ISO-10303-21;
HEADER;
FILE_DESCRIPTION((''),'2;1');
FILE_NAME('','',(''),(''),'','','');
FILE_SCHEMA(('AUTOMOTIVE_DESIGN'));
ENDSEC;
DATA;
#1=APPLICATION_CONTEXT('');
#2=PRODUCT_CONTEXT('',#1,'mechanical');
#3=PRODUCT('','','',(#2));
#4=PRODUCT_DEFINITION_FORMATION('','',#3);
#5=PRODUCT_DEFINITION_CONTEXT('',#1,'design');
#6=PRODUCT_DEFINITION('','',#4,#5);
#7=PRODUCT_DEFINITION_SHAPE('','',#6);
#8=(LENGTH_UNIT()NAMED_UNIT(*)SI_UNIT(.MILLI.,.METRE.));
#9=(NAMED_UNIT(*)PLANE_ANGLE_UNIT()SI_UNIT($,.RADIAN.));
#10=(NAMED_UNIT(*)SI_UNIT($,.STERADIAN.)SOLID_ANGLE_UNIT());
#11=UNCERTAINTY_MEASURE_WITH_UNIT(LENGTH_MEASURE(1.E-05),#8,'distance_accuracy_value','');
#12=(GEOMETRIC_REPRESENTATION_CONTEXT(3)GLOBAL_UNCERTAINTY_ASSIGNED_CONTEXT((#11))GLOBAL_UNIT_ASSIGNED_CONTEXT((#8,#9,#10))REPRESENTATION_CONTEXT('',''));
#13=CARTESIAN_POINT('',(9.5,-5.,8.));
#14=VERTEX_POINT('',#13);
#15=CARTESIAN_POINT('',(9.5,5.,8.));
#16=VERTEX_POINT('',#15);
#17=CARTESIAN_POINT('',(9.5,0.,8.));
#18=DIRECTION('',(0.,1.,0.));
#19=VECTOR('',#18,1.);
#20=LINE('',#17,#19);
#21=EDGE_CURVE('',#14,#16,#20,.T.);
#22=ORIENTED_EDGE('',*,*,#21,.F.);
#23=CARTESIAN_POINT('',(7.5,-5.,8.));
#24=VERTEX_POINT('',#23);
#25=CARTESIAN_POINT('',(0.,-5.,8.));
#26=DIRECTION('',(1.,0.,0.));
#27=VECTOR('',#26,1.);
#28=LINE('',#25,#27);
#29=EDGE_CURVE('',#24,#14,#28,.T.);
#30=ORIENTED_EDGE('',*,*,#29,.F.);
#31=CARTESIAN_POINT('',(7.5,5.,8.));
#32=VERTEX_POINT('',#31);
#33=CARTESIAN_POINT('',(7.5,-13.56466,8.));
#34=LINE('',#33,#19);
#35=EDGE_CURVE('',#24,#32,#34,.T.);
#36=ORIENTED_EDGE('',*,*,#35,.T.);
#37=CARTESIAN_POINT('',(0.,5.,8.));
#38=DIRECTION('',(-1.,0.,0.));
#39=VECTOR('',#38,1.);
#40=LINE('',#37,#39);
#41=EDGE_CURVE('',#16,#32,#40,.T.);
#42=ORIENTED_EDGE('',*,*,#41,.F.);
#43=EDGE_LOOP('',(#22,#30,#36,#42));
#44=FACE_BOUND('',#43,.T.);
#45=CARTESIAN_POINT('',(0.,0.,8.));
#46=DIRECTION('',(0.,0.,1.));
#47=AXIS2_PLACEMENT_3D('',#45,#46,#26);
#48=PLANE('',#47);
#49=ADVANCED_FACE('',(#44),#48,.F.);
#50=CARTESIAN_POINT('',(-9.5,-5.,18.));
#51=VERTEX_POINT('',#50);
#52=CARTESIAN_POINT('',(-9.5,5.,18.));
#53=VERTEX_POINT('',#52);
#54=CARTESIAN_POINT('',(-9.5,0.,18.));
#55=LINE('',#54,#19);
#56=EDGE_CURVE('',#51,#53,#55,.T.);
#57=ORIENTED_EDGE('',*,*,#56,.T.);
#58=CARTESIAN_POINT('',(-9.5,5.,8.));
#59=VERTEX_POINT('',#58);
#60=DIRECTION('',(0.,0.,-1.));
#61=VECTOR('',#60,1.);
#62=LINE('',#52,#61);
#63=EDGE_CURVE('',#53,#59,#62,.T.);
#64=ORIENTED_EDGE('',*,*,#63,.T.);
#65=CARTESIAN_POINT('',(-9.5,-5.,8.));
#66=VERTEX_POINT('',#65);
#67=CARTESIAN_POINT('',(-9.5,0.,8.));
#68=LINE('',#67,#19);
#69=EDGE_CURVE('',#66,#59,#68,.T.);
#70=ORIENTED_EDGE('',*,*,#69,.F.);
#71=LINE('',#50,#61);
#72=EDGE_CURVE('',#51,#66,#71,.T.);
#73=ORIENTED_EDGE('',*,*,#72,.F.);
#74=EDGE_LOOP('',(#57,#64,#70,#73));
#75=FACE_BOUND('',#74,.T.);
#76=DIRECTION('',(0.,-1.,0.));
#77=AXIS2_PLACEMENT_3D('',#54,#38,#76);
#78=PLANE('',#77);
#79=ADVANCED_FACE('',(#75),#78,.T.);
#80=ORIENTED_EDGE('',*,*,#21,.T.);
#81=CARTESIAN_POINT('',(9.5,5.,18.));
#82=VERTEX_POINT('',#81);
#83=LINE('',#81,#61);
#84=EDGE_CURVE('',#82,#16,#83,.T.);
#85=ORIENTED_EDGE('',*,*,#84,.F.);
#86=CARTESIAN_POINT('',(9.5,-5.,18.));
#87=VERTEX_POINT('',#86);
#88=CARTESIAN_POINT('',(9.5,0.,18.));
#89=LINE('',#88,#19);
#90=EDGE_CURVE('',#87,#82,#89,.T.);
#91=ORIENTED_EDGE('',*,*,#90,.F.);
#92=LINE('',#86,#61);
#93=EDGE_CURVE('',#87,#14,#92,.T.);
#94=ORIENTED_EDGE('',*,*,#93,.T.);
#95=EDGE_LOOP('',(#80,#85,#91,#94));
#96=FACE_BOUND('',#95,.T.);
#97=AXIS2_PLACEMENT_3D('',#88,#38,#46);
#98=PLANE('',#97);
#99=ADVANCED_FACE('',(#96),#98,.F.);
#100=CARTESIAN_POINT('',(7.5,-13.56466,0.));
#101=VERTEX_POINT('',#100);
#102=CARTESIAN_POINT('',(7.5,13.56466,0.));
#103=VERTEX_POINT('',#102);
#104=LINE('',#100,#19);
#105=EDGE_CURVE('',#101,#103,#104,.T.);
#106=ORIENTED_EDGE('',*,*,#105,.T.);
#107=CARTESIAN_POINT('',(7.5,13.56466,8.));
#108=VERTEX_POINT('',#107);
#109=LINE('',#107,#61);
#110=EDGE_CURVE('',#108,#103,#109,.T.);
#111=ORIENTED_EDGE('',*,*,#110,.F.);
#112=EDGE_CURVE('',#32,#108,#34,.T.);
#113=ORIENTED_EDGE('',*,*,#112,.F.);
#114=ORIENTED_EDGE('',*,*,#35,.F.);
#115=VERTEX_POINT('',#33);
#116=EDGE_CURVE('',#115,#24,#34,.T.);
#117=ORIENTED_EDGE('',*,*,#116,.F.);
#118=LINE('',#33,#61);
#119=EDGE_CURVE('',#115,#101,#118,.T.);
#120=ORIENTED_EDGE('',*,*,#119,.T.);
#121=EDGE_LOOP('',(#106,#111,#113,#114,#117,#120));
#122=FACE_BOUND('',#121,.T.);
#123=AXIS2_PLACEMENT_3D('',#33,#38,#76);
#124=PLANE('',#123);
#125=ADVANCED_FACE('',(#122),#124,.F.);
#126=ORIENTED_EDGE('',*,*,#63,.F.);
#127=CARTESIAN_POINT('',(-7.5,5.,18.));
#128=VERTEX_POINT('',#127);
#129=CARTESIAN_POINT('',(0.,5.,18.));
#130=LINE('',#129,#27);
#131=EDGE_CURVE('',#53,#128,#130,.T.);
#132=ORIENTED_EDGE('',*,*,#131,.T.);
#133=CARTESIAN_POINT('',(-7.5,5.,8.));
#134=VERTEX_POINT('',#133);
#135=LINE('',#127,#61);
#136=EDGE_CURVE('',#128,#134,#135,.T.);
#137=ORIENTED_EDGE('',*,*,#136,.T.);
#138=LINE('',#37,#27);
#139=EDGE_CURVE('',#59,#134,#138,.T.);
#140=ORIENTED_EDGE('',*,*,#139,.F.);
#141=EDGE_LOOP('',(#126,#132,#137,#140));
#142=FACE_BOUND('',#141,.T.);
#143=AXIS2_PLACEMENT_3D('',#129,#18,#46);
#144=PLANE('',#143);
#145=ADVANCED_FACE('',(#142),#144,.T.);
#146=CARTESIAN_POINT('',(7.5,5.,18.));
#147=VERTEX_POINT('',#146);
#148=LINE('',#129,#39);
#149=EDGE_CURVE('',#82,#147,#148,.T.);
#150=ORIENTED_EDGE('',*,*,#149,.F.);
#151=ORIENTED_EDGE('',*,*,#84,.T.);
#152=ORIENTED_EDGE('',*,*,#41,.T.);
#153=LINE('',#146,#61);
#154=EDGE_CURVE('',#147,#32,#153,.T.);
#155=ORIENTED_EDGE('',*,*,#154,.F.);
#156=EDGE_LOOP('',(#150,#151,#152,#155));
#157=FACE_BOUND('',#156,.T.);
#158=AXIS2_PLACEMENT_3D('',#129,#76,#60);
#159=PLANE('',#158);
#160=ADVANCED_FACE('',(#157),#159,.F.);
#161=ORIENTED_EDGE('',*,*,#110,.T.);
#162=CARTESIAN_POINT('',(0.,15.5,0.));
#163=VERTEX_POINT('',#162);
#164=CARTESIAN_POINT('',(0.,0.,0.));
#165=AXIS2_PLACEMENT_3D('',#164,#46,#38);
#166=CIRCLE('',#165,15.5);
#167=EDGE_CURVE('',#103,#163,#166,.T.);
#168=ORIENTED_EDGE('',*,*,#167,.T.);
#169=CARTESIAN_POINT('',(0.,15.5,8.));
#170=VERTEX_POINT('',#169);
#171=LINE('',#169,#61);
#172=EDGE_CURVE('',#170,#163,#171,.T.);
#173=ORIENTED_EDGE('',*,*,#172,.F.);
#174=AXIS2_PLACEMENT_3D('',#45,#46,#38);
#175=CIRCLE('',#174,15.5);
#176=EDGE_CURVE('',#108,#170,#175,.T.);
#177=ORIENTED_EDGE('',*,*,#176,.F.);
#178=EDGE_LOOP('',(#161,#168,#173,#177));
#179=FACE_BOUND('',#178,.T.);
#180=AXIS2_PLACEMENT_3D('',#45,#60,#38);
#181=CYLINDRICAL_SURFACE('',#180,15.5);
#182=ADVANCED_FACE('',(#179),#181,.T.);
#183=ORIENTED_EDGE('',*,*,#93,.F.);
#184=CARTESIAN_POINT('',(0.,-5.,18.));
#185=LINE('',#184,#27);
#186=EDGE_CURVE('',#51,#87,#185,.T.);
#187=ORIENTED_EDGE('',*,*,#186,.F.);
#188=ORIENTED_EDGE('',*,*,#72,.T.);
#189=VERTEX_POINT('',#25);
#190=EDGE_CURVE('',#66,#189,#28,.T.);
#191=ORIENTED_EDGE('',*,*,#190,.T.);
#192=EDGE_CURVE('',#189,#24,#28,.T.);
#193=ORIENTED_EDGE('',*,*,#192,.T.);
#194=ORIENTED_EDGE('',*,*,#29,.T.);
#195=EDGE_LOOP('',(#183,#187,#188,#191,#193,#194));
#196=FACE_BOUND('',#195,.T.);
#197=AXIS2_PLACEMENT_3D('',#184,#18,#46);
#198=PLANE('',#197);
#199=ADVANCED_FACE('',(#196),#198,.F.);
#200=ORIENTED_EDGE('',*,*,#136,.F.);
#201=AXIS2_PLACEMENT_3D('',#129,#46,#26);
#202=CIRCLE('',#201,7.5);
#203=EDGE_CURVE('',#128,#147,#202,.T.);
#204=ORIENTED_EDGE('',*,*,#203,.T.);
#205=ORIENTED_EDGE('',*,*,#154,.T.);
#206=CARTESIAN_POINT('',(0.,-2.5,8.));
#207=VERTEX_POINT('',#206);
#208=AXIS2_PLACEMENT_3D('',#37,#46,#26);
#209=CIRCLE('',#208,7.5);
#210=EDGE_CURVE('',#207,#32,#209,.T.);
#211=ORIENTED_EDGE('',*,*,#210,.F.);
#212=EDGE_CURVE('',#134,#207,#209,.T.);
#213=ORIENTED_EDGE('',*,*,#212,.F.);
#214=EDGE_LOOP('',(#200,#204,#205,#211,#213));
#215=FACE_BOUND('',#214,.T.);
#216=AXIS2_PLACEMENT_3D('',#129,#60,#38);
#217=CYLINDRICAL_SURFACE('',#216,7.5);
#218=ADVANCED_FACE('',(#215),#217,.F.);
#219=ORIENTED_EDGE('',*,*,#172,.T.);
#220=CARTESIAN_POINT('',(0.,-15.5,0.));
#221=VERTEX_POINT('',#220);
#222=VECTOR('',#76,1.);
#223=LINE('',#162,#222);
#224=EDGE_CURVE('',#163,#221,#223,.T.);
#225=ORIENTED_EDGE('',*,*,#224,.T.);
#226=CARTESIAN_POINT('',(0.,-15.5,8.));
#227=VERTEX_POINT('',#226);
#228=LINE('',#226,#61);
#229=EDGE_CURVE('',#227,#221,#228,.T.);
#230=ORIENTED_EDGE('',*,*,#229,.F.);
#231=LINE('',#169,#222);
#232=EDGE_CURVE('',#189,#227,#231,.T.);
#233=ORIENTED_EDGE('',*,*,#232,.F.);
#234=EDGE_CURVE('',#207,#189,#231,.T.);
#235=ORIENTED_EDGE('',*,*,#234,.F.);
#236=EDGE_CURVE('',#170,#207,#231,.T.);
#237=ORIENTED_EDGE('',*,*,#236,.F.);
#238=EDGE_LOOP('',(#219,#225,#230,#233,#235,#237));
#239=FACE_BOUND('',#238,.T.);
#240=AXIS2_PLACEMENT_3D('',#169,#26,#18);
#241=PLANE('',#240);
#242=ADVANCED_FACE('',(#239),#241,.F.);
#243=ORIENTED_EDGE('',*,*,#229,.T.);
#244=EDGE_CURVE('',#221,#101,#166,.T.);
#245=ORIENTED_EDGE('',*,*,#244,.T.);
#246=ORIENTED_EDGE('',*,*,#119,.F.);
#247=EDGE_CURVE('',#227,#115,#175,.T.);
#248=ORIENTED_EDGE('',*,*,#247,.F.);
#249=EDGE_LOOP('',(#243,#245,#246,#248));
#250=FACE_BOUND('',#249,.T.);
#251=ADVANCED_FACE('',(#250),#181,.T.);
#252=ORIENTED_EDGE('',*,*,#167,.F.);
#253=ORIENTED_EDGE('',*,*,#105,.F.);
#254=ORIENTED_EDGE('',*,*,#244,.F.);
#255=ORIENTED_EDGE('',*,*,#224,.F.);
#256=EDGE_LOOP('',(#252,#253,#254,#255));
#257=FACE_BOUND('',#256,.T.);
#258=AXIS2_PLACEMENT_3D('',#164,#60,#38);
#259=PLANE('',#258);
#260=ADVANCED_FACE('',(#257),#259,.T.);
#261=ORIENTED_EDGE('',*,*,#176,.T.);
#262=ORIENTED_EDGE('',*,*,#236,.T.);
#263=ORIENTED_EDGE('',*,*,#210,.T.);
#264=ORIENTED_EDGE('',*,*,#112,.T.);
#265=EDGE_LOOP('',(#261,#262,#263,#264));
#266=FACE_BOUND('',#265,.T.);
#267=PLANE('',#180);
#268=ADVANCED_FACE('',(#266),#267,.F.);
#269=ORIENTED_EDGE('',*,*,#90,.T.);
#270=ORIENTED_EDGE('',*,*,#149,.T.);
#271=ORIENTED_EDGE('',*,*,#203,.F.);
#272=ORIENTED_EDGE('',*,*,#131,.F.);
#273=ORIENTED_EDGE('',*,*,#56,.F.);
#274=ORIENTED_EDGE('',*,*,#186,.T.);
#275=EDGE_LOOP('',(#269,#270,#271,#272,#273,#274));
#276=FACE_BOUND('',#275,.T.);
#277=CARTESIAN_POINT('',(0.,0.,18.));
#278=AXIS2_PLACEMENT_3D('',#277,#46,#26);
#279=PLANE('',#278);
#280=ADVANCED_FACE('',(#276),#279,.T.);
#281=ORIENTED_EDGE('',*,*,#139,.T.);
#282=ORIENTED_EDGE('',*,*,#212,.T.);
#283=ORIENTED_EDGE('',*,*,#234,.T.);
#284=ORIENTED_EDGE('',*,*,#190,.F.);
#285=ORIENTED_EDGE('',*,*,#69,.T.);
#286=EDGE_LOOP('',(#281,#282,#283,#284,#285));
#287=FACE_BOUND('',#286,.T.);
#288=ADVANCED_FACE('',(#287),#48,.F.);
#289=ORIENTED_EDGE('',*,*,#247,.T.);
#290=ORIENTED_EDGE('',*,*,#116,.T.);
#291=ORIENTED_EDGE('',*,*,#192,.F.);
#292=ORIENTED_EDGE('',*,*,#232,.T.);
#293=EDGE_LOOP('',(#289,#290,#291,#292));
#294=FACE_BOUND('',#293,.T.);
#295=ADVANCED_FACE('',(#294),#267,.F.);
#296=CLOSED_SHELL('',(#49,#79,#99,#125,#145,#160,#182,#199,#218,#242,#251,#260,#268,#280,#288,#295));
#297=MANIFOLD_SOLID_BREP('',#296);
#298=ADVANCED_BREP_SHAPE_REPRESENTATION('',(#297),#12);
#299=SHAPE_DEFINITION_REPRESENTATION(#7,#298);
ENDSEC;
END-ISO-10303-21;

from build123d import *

# Parameters (mm, degrees)
EXTRUDE_1_DEPTH = 8
EXTRUDE_2_DEPTH = 10


with BuildPart() as part:
    # 草图1 → 凸台-拉伸1 (new body)
    with BuildSketch(Plane.XY):
        with BuildLine():
            Line((7.5, -13.564659966), (7.5, 13.564659966))
            ThreePointArc((7.5, 13.564659966), (3.872839431, 15.008368157), (0, 15.5))
            Line((0, 15.5), (0, -15.5))
            ThreePointArc((0, -15.5), (3.872839431, -15.008368157), (7.5, -13.564659966))
        make_face()
    extrude(amount=EXTRUDE_1_DEPTH)

    # 草图3 → 凸台-拉伸2 (add)
    with BuildSketch(Plane.XY.offset(8)):
        Polygon((7.5, -2.5), (7.5, -5), (9.5, -5), (9.5, 5), (7.5, 5), align=None)
        with BuildLine():
            Line((0, -2.5), (0, -5))
            Line((0, -5), (7.5, -5))
            Line((7.5, -5), (7.5, -2.5))
            Line((7.5, -2.5), (7.5, 5))
            ThreePointArc((7.5, 5), (5.303300859, -0.303300859), (0, -2.5))
        make_face()
        with BuildLine():
            Line((-7.5, 5), (-7.5, -2.5))
            Line((-7.5, -2.5), (-7.5, -5))
            Line((-7.5, -5), (0, -5))
            Line((0, -5), (0, -2.5))
            ThreePointArc((0, -2.5), (-5.303300859, -0.303300859), (-7.5, 5))
        make_face()
        Polygon((-9.5, 5), (-7.5, 5), (-7.5, -2.5), (-7.5, -5), (-9.5, -5), align=None)
    extrude(amount=EXTRUDE_2_DEPTH)


solid = part.part
